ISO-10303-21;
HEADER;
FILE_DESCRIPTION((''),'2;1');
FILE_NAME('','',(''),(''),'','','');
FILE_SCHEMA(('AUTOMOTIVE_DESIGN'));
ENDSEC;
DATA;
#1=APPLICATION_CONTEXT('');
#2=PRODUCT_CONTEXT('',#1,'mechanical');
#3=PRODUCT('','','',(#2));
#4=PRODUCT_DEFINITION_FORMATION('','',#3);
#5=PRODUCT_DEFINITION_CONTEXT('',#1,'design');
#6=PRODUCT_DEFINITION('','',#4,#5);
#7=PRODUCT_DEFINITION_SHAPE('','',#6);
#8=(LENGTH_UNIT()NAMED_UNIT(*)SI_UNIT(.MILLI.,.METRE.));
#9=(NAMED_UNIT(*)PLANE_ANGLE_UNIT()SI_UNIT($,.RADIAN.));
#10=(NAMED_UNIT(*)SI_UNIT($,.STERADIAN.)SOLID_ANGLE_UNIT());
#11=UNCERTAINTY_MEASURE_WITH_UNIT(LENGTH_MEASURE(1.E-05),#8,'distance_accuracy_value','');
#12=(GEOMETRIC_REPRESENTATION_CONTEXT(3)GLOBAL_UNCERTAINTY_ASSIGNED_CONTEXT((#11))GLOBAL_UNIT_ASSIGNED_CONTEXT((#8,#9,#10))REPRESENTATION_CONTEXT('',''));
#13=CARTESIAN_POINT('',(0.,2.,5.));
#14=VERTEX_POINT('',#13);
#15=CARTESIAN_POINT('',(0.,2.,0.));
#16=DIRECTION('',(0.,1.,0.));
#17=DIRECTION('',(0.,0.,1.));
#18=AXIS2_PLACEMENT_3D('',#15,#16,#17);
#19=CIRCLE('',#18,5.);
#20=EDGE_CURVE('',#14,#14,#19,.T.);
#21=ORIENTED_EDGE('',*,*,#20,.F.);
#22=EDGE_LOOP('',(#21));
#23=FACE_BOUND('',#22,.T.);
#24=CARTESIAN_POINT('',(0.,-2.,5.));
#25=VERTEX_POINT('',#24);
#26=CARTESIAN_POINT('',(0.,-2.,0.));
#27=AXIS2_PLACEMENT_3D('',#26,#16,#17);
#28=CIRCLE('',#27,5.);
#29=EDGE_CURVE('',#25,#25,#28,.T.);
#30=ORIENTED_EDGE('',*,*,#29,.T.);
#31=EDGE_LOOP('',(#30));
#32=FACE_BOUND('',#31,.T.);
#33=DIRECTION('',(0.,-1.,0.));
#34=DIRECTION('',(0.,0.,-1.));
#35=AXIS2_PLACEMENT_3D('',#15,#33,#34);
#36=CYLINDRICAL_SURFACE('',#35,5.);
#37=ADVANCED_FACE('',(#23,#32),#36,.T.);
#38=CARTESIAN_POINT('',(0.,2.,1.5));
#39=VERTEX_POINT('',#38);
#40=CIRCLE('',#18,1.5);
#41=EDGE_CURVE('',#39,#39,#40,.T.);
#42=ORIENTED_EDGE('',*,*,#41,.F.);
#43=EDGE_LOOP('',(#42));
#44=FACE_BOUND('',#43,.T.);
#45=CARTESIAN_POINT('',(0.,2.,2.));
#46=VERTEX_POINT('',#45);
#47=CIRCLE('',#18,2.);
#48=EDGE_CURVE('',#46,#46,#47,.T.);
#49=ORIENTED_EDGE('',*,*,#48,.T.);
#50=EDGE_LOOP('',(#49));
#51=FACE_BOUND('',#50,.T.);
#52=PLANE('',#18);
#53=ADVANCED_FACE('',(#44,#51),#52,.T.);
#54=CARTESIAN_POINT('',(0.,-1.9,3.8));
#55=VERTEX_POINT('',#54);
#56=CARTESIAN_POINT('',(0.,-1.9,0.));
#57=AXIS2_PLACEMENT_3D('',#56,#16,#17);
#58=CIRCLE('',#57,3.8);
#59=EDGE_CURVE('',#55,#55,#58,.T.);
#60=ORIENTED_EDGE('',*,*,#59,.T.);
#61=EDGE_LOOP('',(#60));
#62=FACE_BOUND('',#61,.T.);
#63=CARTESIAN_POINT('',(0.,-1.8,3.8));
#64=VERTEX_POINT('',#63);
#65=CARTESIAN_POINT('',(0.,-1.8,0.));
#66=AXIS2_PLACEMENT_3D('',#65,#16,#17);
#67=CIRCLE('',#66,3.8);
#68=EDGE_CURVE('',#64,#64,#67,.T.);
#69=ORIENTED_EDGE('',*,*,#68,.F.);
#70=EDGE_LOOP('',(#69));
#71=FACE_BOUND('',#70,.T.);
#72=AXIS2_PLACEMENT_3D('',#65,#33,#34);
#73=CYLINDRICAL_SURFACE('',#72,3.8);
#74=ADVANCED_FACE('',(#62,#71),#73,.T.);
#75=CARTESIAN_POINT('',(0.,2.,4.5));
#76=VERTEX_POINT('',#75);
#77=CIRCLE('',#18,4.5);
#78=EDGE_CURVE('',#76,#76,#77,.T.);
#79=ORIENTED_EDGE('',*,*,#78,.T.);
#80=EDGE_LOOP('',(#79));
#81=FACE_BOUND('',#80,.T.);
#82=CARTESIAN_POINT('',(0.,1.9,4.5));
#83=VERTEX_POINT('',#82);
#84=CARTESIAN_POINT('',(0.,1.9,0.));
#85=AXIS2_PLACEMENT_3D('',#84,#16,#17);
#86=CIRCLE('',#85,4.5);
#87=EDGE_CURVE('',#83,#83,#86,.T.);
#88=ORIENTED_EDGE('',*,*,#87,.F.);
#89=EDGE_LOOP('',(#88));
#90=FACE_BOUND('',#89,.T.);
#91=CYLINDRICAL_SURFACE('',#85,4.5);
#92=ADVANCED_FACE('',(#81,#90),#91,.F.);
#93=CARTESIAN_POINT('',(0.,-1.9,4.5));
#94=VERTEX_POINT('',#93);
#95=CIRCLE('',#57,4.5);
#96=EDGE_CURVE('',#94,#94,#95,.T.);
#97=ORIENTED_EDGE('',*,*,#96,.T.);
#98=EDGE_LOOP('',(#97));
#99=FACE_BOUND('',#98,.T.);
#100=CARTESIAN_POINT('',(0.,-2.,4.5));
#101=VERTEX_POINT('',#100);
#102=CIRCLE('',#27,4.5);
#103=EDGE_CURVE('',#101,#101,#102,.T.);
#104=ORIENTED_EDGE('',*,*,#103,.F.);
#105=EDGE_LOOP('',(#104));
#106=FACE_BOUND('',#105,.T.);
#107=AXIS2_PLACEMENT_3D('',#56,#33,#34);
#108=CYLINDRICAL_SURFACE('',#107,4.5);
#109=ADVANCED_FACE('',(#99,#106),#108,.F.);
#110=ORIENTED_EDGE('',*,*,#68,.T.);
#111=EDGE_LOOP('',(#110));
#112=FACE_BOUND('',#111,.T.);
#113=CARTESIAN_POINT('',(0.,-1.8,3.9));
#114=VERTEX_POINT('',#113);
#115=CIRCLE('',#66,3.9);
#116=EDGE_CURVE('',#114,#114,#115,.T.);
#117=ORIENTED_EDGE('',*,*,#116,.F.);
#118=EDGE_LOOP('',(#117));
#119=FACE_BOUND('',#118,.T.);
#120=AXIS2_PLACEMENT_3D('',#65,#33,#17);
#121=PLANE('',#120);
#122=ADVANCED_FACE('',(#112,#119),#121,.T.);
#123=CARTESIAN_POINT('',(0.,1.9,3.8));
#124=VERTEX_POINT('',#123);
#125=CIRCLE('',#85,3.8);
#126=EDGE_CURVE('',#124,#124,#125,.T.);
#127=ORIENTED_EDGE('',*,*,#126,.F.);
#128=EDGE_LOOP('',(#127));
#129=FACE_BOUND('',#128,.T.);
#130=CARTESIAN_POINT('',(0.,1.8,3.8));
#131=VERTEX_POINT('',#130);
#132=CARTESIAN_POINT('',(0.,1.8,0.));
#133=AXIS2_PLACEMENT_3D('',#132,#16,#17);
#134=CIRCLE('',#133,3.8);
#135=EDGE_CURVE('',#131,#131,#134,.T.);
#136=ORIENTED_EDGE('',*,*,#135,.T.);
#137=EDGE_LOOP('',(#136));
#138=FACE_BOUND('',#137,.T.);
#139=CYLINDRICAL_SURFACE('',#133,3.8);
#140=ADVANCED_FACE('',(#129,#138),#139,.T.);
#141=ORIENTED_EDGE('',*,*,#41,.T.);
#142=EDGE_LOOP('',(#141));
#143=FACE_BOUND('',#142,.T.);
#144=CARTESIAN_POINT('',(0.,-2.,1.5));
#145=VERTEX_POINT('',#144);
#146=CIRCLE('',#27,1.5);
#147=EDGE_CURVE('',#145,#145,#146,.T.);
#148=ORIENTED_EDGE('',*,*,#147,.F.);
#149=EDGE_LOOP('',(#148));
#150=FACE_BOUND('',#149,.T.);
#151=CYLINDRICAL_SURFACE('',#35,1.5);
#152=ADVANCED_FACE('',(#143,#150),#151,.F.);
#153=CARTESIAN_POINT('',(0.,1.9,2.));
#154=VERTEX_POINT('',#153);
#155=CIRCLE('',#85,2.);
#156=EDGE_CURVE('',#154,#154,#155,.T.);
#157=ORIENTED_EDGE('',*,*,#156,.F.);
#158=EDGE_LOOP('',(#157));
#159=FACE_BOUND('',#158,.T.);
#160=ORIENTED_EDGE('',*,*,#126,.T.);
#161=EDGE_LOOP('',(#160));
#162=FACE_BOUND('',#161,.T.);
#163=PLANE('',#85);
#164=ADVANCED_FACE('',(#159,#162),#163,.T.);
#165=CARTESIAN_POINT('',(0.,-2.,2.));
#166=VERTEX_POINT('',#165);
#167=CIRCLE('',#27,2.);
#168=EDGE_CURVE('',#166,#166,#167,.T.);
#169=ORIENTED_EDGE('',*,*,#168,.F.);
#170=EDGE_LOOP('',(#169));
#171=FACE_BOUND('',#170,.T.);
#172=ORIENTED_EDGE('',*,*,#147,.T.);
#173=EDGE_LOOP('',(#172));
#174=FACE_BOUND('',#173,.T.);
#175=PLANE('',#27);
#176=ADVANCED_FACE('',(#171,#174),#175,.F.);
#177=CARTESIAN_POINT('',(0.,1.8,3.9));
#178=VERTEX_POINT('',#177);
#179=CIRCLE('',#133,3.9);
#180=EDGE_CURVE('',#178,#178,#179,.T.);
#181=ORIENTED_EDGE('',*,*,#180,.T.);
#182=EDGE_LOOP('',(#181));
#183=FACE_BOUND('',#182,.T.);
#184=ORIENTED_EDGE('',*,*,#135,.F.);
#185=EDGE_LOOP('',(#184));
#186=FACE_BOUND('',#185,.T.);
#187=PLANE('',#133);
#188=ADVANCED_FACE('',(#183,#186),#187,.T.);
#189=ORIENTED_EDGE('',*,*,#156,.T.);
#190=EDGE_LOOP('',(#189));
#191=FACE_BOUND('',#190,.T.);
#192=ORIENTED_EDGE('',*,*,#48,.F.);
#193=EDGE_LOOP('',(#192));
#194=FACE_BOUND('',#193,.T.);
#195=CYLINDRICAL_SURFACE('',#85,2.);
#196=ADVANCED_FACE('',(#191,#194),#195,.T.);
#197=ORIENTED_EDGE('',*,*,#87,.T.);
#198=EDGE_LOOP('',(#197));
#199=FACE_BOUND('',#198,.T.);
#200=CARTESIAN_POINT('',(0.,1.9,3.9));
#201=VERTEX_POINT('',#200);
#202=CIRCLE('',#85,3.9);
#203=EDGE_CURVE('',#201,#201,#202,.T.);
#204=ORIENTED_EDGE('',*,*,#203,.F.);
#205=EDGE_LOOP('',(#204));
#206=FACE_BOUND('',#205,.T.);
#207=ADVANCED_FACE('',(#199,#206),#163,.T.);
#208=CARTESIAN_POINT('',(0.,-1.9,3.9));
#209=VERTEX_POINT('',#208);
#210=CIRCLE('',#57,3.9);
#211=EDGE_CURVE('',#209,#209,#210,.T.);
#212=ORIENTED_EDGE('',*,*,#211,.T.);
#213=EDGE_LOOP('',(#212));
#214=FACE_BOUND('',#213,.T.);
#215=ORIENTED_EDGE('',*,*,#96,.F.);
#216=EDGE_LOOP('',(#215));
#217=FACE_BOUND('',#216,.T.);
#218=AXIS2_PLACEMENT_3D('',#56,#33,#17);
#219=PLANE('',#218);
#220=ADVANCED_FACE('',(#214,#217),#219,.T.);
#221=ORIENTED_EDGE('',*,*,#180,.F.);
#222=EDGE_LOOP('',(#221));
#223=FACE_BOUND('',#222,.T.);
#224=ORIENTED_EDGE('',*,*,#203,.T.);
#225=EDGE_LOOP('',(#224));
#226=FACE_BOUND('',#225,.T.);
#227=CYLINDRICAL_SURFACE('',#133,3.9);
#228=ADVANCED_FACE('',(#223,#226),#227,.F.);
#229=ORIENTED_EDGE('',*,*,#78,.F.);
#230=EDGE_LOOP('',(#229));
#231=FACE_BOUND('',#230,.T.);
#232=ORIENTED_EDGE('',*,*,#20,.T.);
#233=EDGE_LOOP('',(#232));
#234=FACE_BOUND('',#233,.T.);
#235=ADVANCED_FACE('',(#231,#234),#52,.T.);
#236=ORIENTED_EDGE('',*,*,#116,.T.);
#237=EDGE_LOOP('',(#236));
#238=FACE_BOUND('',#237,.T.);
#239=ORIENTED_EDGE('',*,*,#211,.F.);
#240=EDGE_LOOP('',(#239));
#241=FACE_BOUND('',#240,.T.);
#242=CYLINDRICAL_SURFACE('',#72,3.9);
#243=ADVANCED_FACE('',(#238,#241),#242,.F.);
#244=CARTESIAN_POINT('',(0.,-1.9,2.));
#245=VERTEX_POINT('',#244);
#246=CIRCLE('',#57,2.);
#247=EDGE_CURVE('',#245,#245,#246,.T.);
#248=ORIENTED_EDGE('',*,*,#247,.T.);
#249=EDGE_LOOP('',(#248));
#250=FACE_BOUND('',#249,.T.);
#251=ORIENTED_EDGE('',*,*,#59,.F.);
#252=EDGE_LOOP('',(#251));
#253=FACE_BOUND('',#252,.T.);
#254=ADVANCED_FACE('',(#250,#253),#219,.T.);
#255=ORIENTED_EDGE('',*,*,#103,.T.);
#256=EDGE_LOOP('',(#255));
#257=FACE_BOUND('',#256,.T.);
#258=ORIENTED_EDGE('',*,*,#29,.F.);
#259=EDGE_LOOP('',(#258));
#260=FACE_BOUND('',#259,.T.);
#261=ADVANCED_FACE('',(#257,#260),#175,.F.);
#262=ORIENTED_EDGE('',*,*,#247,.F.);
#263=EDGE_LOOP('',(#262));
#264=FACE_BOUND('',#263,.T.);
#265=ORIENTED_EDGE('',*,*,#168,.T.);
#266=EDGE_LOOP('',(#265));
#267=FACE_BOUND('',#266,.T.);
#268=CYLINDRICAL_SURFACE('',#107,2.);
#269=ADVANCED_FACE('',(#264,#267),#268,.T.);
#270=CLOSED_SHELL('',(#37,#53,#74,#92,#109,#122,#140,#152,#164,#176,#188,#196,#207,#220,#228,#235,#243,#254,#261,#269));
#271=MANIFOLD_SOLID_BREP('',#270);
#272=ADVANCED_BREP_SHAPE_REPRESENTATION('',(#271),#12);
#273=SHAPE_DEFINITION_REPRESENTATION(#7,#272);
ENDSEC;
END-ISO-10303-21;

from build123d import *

# Parameters (mm, degrees)
SKETCH_1_R          = 5
SKETCH_1_R_2        = 1.5
EXTRUDE_1_DEPTH     = 2
SKETCH_2_R          = 4.5
SKETCH_2_R_2        = 2
CUT_EXTRUDE_1_DEPTH = 0.1
SKETCH_4_R          = 3.9
SKETCH_4_R_2        = 3.8
CUT_EXTRUDE_2_DEPTH = 0.1


with BuildPart() as part:
    # Эскиз1 → Бобышка-Вытянуть1 (new, symmetric)
    with BuildSketch(Plane(origin=(0, 0, 0), x_dir=(1, 0, 0), z_dir=(0, 1, 0))):
        with Locations(Location((0, 0, 0), (0, 0, 270))):
            Circle(SKETCH_1_R)
        with Locations(Location((0, 0, 0), (0, 0, 270))):
            Circle(SKETCH_1_R_2, mode=Mode.SUBTRACT)
    extrude(amount=EXTRUDE_1_DEPTH, both=True)

    # Эскиз2 → Вырез-Вытянуть1 (cut)
    with BuildSketch(Plane(origin=(0, 2, 0), x_dir=(1, 0, 0), z_dir=(0, 1, 0))):
        with Locations(Location((0, 0, 0), (0, 0, 270))):
            Circle(SKETCH_2_R)
        with Locations(Location((0, 0, 0), (0, 0, 270))):
            Circle(SKETCH_2_R_2, mode=Mode.SUBTRACT)
    cut_extrude_1 = extrude(amount=-CUT_EXTRUDE_1_DEPTH, mode=Mode.SUBTRACT)

    # Эскиз4 → Вырез-Вытянуть2 (cut)
    with BuildSketch(Plane(origin=(0, 1.9, 0), x_dir=(1, 0, 0), z_dir=(0, 1, 0))):
        with Locations(Location((0, 0, 0), (0, 0, 270))):
            Circle(SKETCH_4_R)
        with Locations(Location((0, 0, 0), (0, 0, 270))):
            Circle(SKETCH_4_R_2, mode=Mode.SUBTRACT)
    cut_extrude_2 = extrude(amount=-CUT_EXTRUDE_2_DEPTH, mode=Mode.SUBTRACT)

    # Зеркальное отражение1: Вырез-Вытянуть1, Вырез-Вытянуть2 across plane
    add(cut_extrude_1.mirror(Plane.ZX), mode=Mode.SUBTRACT)
    add(cut_extrude_2.mirror(Plane.ZX), mode=Mode.SUBTRACT)


solid = part.part
